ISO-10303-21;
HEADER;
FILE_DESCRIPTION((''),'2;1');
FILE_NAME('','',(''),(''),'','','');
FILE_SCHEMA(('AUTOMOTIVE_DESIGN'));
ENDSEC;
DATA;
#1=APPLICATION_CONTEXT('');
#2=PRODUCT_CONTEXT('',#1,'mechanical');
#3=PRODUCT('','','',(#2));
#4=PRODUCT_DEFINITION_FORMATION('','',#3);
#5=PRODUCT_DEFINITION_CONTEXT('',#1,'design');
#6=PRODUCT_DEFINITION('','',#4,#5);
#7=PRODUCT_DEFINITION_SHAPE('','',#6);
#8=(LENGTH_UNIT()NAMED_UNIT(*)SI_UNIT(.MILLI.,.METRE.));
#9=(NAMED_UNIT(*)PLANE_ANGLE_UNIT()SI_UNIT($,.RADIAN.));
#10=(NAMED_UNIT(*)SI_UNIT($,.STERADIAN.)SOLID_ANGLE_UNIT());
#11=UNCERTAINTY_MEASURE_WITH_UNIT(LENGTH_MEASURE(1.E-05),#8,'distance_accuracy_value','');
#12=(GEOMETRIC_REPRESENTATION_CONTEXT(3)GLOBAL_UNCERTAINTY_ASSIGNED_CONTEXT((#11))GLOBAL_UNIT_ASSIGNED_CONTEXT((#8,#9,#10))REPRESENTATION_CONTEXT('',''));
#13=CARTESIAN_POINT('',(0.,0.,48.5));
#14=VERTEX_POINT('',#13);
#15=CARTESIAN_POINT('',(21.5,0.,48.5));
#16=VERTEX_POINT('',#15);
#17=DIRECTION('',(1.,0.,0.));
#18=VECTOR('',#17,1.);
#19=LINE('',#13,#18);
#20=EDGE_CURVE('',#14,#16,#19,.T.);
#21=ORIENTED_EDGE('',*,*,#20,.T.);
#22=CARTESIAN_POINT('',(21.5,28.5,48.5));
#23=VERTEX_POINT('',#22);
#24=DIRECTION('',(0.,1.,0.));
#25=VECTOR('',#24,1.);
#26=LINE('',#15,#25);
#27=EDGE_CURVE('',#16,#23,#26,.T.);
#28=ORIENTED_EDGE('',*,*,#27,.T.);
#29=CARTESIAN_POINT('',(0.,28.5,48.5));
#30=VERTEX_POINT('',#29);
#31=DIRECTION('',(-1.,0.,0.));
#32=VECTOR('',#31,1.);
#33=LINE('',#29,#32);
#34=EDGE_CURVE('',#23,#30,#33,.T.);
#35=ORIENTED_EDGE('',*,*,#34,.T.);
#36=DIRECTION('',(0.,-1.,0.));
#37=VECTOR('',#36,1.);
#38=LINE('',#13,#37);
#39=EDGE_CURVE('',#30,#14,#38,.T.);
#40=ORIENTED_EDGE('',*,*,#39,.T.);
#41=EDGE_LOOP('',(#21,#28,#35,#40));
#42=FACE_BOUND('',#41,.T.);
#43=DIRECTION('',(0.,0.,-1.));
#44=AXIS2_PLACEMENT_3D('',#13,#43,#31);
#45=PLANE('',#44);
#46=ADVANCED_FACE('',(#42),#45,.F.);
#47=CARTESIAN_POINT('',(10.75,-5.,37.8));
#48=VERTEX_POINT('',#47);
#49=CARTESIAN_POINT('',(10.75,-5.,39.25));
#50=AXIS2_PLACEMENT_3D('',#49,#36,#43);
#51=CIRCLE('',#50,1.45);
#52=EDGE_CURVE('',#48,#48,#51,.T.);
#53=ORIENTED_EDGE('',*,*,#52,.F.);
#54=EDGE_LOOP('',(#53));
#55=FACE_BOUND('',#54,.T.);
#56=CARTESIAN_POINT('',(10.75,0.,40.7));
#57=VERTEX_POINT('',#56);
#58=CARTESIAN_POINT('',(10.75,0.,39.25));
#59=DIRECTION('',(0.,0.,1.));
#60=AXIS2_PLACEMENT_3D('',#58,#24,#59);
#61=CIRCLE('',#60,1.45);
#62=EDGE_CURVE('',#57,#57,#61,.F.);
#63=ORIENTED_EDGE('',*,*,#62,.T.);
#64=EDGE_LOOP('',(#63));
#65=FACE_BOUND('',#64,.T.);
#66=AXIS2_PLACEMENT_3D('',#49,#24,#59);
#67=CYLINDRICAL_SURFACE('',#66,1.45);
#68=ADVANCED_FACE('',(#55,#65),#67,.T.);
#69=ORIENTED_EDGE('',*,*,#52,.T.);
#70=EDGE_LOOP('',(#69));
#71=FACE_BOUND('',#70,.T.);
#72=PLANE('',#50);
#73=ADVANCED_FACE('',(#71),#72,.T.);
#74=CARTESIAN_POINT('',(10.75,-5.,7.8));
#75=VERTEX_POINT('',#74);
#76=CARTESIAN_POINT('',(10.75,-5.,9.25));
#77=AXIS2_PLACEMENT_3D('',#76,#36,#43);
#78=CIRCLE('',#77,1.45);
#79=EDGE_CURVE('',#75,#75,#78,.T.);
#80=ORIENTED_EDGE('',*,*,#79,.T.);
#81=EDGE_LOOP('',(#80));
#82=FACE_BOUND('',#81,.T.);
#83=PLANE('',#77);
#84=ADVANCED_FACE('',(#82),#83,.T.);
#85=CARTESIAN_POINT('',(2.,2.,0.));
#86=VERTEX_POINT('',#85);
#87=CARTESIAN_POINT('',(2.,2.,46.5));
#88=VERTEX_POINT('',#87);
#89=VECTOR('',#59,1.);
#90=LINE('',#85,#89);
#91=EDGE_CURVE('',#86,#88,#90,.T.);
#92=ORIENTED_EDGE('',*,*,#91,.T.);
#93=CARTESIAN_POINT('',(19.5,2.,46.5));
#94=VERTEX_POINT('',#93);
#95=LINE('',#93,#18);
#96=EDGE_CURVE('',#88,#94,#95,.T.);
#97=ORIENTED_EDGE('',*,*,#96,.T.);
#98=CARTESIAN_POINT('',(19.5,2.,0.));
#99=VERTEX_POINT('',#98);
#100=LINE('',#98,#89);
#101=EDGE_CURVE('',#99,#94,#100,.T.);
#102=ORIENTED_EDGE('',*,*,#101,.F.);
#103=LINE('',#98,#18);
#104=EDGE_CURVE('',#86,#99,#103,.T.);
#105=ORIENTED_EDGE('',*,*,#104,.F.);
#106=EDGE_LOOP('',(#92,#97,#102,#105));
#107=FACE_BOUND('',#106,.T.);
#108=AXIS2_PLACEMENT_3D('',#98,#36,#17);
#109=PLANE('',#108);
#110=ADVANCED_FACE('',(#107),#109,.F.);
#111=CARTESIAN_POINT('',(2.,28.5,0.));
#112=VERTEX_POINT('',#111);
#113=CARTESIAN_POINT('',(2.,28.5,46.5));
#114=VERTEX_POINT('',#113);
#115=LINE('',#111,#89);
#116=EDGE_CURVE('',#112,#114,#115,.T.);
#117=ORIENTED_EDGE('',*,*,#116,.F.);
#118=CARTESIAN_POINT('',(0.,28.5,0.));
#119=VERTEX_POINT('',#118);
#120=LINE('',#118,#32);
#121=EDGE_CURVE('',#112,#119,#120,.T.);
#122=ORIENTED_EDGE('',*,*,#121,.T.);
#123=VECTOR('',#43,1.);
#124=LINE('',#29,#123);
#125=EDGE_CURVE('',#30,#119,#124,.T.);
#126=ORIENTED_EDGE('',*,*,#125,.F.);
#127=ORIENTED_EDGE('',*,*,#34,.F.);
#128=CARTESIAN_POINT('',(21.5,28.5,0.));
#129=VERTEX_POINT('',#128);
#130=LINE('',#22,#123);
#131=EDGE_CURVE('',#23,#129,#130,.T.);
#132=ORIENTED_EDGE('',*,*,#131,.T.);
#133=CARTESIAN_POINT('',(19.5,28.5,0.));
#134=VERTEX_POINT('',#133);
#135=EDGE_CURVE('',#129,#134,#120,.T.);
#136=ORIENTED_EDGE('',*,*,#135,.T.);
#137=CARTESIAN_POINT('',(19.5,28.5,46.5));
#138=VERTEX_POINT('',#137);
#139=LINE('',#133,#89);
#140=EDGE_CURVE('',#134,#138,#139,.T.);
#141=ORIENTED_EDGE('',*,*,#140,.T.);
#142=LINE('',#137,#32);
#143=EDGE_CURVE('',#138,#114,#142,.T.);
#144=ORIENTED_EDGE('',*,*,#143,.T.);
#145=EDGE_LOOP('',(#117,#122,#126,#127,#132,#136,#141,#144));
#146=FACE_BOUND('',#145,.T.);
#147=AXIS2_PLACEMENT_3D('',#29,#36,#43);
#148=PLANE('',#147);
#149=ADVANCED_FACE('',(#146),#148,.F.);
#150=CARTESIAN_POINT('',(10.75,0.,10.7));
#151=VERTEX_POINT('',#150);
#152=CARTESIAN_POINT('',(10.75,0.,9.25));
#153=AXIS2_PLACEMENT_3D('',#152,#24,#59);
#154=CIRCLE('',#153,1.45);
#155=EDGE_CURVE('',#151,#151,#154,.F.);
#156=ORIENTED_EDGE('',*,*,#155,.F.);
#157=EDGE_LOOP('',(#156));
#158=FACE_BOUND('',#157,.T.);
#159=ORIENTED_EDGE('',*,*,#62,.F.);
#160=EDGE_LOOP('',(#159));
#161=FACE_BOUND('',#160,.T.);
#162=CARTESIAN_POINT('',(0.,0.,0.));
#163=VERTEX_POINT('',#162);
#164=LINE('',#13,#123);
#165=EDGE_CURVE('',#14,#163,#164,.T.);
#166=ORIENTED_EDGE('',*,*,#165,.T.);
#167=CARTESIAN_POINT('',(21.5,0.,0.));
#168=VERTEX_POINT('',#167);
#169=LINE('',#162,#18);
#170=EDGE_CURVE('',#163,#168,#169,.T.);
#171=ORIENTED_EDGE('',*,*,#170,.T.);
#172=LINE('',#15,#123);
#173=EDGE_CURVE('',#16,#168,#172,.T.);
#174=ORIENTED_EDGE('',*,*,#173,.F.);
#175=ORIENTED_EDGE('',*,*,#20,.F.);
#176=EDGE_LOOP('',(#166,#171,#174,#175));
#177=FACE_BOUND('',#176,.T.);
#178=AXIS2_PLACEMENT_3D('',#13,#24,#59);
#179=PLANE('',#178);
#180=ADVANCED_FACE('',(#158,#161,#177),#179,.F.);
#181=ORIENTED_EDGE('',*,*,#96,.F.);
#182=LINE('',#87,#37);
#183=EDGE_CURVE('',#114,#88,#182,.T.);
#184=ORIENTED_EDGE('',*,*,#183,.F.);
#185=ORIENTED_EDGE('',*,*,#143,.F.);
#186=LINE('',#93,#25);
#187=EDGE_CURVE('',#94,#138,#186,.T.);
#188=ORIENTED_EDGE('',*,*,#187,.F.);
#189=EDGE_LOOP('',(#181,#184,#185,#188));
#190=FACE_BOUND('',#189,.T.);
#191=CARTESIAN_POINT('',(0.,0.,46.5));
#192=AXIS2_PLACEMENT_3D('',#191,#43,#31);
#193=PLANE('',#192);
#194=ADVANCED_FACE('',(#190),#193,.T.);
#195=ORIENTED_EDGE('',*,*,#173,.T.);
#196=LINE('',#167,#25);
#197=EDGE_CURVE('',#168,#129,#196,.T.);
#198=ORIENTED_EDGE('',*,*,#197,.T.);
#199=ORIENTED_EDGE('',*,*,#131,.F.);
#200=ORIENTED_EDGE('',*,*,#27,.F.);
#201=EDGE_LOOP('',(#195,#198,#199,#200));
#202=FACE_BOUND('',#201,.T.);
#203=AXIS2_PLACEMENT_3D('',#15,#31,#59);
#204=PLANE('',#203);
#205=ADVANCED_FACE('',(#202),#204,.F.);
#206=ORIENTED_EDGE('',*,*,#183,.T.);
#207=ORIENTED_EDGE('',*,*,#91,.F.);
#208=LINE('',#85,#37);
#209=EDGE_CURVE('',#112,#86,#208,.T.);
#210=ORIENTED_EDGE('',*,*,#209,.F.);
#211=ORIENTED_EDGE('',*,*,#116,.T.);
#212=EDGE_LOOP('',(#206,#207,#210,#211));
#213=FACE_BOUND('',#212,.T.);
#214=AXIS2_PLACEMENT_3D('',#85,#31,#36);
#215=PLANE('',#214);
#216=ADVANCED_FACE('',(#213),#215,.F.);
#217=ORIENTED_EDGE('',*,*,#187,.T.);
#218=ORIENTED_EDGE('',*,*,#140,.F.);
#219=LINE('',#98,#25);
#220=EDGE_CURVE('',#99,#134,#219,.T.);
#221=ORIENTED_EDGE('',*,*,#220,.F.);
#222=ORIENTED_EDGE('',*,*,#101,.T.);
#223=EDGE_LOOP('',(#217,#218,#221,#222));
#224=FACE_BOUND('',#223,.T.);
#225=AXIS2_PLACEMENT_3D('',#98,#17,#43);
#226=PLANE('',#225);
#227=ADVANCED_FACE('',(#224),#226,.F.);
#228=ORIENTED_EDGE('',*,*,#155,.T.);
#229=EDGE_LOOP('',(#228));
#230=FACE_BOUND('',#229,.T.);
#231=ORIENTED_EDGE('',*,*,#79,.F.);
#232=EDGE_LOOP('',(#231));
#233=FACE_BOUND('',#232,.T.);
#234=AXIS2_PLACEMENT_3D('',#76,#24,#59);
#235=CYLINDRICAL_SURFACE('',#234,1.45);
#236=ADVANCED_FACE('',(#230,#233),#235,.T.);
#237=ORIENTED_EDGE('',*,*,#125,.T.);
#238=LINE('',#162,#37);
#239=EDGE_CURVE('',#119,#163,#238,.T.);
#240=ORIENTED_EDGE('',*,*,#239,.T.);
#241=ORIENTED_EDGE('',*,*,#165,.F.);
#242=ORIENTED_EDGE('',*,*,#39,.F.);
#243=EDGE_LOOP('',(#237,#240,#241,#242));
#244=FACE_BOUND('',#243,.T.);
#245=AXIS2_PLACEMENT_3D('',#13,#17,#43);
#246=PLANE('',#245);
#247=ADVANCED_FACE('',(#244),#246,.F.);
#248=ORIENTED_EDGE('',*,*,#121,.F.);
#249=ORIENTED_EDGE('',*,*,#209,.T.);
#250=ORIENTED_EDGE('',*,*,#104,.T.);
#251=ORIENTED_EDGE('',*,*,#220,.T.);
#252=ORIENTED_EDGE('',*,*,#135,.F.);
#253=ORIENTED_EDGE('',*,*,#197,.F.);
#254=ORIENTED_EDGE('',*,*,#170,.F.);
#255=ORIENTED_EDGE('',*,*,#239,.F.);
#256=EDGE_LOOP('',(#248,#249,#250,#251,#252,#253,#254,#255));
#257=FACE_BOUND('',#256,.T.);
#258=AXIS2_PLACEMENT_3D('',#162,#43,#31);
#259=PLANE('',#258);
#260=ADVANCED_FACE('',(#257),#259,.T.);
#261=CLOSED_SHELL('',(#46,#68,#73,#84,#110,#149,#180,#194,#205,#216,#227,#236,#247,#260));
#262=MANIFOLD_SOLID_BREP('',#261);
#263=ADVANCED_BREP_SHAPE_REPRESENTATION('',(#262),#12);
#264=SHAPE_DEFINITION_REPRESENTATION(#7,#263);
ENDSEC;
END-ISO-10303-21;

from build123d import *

# Parameters (mm, degrees)
SKETCH2_W           = 21.5
SKETCH2_H           = 28.5
BOSS_EXTRUDE6_DEPTH = 48.5
CUT_EXTRUDE5_DEPTH  = 46.5
SKETCH5_R           = 1.45
BOSS_EXTRUDE7_DEPTH = 5


with BuildPart() as part:
    # Sketch2 → Boss-Extrude6 (new body)
    with BuildSketch(Plane.XY):
        with Locations((10.75, 14.25)):
            Rectangle(SKETCH2_W, SKETCH2_H)
    extrude(amount=BOSS_EXTRUDE6_DEPTH)

    # 3DSketch6 → Cut-Extrude5 (cut)
    with BuildSketch(Plane(origin=(19.5, 2, 0), x_dir=(-0.5510615347417098, 0.8344646097517326, 0), z_dir=(0, 0, 1))):
        Polygon((0, 0), (22.113312158, -14.603130671), (31.756889016, 0), (9.643576858, 14.603130671), align=None)
    extrude(amount=CUT_EXTRUDE5_DEPTH, mode=Mode.SUBTRACT)

    # Sketch5 → Boss-Extrude7 (add)
    with BuildSketch(Plane(origin=(0, 0, 0), x_dir=(-1, 0, 0), z_dir=(0, -1, 0))):
        with Locations(Location((-10.75, -39.25, 0), (0, 0, 270))):
            Circle(SKETCH5_R)
        with Locations(Location((-10.75, -9.25, 0), (0, 0, 270))):
            Circle(SKETCH5_R)
    extrude(amount=BOSS_EXTRUDE7_DEPTH)


solid = part.part
